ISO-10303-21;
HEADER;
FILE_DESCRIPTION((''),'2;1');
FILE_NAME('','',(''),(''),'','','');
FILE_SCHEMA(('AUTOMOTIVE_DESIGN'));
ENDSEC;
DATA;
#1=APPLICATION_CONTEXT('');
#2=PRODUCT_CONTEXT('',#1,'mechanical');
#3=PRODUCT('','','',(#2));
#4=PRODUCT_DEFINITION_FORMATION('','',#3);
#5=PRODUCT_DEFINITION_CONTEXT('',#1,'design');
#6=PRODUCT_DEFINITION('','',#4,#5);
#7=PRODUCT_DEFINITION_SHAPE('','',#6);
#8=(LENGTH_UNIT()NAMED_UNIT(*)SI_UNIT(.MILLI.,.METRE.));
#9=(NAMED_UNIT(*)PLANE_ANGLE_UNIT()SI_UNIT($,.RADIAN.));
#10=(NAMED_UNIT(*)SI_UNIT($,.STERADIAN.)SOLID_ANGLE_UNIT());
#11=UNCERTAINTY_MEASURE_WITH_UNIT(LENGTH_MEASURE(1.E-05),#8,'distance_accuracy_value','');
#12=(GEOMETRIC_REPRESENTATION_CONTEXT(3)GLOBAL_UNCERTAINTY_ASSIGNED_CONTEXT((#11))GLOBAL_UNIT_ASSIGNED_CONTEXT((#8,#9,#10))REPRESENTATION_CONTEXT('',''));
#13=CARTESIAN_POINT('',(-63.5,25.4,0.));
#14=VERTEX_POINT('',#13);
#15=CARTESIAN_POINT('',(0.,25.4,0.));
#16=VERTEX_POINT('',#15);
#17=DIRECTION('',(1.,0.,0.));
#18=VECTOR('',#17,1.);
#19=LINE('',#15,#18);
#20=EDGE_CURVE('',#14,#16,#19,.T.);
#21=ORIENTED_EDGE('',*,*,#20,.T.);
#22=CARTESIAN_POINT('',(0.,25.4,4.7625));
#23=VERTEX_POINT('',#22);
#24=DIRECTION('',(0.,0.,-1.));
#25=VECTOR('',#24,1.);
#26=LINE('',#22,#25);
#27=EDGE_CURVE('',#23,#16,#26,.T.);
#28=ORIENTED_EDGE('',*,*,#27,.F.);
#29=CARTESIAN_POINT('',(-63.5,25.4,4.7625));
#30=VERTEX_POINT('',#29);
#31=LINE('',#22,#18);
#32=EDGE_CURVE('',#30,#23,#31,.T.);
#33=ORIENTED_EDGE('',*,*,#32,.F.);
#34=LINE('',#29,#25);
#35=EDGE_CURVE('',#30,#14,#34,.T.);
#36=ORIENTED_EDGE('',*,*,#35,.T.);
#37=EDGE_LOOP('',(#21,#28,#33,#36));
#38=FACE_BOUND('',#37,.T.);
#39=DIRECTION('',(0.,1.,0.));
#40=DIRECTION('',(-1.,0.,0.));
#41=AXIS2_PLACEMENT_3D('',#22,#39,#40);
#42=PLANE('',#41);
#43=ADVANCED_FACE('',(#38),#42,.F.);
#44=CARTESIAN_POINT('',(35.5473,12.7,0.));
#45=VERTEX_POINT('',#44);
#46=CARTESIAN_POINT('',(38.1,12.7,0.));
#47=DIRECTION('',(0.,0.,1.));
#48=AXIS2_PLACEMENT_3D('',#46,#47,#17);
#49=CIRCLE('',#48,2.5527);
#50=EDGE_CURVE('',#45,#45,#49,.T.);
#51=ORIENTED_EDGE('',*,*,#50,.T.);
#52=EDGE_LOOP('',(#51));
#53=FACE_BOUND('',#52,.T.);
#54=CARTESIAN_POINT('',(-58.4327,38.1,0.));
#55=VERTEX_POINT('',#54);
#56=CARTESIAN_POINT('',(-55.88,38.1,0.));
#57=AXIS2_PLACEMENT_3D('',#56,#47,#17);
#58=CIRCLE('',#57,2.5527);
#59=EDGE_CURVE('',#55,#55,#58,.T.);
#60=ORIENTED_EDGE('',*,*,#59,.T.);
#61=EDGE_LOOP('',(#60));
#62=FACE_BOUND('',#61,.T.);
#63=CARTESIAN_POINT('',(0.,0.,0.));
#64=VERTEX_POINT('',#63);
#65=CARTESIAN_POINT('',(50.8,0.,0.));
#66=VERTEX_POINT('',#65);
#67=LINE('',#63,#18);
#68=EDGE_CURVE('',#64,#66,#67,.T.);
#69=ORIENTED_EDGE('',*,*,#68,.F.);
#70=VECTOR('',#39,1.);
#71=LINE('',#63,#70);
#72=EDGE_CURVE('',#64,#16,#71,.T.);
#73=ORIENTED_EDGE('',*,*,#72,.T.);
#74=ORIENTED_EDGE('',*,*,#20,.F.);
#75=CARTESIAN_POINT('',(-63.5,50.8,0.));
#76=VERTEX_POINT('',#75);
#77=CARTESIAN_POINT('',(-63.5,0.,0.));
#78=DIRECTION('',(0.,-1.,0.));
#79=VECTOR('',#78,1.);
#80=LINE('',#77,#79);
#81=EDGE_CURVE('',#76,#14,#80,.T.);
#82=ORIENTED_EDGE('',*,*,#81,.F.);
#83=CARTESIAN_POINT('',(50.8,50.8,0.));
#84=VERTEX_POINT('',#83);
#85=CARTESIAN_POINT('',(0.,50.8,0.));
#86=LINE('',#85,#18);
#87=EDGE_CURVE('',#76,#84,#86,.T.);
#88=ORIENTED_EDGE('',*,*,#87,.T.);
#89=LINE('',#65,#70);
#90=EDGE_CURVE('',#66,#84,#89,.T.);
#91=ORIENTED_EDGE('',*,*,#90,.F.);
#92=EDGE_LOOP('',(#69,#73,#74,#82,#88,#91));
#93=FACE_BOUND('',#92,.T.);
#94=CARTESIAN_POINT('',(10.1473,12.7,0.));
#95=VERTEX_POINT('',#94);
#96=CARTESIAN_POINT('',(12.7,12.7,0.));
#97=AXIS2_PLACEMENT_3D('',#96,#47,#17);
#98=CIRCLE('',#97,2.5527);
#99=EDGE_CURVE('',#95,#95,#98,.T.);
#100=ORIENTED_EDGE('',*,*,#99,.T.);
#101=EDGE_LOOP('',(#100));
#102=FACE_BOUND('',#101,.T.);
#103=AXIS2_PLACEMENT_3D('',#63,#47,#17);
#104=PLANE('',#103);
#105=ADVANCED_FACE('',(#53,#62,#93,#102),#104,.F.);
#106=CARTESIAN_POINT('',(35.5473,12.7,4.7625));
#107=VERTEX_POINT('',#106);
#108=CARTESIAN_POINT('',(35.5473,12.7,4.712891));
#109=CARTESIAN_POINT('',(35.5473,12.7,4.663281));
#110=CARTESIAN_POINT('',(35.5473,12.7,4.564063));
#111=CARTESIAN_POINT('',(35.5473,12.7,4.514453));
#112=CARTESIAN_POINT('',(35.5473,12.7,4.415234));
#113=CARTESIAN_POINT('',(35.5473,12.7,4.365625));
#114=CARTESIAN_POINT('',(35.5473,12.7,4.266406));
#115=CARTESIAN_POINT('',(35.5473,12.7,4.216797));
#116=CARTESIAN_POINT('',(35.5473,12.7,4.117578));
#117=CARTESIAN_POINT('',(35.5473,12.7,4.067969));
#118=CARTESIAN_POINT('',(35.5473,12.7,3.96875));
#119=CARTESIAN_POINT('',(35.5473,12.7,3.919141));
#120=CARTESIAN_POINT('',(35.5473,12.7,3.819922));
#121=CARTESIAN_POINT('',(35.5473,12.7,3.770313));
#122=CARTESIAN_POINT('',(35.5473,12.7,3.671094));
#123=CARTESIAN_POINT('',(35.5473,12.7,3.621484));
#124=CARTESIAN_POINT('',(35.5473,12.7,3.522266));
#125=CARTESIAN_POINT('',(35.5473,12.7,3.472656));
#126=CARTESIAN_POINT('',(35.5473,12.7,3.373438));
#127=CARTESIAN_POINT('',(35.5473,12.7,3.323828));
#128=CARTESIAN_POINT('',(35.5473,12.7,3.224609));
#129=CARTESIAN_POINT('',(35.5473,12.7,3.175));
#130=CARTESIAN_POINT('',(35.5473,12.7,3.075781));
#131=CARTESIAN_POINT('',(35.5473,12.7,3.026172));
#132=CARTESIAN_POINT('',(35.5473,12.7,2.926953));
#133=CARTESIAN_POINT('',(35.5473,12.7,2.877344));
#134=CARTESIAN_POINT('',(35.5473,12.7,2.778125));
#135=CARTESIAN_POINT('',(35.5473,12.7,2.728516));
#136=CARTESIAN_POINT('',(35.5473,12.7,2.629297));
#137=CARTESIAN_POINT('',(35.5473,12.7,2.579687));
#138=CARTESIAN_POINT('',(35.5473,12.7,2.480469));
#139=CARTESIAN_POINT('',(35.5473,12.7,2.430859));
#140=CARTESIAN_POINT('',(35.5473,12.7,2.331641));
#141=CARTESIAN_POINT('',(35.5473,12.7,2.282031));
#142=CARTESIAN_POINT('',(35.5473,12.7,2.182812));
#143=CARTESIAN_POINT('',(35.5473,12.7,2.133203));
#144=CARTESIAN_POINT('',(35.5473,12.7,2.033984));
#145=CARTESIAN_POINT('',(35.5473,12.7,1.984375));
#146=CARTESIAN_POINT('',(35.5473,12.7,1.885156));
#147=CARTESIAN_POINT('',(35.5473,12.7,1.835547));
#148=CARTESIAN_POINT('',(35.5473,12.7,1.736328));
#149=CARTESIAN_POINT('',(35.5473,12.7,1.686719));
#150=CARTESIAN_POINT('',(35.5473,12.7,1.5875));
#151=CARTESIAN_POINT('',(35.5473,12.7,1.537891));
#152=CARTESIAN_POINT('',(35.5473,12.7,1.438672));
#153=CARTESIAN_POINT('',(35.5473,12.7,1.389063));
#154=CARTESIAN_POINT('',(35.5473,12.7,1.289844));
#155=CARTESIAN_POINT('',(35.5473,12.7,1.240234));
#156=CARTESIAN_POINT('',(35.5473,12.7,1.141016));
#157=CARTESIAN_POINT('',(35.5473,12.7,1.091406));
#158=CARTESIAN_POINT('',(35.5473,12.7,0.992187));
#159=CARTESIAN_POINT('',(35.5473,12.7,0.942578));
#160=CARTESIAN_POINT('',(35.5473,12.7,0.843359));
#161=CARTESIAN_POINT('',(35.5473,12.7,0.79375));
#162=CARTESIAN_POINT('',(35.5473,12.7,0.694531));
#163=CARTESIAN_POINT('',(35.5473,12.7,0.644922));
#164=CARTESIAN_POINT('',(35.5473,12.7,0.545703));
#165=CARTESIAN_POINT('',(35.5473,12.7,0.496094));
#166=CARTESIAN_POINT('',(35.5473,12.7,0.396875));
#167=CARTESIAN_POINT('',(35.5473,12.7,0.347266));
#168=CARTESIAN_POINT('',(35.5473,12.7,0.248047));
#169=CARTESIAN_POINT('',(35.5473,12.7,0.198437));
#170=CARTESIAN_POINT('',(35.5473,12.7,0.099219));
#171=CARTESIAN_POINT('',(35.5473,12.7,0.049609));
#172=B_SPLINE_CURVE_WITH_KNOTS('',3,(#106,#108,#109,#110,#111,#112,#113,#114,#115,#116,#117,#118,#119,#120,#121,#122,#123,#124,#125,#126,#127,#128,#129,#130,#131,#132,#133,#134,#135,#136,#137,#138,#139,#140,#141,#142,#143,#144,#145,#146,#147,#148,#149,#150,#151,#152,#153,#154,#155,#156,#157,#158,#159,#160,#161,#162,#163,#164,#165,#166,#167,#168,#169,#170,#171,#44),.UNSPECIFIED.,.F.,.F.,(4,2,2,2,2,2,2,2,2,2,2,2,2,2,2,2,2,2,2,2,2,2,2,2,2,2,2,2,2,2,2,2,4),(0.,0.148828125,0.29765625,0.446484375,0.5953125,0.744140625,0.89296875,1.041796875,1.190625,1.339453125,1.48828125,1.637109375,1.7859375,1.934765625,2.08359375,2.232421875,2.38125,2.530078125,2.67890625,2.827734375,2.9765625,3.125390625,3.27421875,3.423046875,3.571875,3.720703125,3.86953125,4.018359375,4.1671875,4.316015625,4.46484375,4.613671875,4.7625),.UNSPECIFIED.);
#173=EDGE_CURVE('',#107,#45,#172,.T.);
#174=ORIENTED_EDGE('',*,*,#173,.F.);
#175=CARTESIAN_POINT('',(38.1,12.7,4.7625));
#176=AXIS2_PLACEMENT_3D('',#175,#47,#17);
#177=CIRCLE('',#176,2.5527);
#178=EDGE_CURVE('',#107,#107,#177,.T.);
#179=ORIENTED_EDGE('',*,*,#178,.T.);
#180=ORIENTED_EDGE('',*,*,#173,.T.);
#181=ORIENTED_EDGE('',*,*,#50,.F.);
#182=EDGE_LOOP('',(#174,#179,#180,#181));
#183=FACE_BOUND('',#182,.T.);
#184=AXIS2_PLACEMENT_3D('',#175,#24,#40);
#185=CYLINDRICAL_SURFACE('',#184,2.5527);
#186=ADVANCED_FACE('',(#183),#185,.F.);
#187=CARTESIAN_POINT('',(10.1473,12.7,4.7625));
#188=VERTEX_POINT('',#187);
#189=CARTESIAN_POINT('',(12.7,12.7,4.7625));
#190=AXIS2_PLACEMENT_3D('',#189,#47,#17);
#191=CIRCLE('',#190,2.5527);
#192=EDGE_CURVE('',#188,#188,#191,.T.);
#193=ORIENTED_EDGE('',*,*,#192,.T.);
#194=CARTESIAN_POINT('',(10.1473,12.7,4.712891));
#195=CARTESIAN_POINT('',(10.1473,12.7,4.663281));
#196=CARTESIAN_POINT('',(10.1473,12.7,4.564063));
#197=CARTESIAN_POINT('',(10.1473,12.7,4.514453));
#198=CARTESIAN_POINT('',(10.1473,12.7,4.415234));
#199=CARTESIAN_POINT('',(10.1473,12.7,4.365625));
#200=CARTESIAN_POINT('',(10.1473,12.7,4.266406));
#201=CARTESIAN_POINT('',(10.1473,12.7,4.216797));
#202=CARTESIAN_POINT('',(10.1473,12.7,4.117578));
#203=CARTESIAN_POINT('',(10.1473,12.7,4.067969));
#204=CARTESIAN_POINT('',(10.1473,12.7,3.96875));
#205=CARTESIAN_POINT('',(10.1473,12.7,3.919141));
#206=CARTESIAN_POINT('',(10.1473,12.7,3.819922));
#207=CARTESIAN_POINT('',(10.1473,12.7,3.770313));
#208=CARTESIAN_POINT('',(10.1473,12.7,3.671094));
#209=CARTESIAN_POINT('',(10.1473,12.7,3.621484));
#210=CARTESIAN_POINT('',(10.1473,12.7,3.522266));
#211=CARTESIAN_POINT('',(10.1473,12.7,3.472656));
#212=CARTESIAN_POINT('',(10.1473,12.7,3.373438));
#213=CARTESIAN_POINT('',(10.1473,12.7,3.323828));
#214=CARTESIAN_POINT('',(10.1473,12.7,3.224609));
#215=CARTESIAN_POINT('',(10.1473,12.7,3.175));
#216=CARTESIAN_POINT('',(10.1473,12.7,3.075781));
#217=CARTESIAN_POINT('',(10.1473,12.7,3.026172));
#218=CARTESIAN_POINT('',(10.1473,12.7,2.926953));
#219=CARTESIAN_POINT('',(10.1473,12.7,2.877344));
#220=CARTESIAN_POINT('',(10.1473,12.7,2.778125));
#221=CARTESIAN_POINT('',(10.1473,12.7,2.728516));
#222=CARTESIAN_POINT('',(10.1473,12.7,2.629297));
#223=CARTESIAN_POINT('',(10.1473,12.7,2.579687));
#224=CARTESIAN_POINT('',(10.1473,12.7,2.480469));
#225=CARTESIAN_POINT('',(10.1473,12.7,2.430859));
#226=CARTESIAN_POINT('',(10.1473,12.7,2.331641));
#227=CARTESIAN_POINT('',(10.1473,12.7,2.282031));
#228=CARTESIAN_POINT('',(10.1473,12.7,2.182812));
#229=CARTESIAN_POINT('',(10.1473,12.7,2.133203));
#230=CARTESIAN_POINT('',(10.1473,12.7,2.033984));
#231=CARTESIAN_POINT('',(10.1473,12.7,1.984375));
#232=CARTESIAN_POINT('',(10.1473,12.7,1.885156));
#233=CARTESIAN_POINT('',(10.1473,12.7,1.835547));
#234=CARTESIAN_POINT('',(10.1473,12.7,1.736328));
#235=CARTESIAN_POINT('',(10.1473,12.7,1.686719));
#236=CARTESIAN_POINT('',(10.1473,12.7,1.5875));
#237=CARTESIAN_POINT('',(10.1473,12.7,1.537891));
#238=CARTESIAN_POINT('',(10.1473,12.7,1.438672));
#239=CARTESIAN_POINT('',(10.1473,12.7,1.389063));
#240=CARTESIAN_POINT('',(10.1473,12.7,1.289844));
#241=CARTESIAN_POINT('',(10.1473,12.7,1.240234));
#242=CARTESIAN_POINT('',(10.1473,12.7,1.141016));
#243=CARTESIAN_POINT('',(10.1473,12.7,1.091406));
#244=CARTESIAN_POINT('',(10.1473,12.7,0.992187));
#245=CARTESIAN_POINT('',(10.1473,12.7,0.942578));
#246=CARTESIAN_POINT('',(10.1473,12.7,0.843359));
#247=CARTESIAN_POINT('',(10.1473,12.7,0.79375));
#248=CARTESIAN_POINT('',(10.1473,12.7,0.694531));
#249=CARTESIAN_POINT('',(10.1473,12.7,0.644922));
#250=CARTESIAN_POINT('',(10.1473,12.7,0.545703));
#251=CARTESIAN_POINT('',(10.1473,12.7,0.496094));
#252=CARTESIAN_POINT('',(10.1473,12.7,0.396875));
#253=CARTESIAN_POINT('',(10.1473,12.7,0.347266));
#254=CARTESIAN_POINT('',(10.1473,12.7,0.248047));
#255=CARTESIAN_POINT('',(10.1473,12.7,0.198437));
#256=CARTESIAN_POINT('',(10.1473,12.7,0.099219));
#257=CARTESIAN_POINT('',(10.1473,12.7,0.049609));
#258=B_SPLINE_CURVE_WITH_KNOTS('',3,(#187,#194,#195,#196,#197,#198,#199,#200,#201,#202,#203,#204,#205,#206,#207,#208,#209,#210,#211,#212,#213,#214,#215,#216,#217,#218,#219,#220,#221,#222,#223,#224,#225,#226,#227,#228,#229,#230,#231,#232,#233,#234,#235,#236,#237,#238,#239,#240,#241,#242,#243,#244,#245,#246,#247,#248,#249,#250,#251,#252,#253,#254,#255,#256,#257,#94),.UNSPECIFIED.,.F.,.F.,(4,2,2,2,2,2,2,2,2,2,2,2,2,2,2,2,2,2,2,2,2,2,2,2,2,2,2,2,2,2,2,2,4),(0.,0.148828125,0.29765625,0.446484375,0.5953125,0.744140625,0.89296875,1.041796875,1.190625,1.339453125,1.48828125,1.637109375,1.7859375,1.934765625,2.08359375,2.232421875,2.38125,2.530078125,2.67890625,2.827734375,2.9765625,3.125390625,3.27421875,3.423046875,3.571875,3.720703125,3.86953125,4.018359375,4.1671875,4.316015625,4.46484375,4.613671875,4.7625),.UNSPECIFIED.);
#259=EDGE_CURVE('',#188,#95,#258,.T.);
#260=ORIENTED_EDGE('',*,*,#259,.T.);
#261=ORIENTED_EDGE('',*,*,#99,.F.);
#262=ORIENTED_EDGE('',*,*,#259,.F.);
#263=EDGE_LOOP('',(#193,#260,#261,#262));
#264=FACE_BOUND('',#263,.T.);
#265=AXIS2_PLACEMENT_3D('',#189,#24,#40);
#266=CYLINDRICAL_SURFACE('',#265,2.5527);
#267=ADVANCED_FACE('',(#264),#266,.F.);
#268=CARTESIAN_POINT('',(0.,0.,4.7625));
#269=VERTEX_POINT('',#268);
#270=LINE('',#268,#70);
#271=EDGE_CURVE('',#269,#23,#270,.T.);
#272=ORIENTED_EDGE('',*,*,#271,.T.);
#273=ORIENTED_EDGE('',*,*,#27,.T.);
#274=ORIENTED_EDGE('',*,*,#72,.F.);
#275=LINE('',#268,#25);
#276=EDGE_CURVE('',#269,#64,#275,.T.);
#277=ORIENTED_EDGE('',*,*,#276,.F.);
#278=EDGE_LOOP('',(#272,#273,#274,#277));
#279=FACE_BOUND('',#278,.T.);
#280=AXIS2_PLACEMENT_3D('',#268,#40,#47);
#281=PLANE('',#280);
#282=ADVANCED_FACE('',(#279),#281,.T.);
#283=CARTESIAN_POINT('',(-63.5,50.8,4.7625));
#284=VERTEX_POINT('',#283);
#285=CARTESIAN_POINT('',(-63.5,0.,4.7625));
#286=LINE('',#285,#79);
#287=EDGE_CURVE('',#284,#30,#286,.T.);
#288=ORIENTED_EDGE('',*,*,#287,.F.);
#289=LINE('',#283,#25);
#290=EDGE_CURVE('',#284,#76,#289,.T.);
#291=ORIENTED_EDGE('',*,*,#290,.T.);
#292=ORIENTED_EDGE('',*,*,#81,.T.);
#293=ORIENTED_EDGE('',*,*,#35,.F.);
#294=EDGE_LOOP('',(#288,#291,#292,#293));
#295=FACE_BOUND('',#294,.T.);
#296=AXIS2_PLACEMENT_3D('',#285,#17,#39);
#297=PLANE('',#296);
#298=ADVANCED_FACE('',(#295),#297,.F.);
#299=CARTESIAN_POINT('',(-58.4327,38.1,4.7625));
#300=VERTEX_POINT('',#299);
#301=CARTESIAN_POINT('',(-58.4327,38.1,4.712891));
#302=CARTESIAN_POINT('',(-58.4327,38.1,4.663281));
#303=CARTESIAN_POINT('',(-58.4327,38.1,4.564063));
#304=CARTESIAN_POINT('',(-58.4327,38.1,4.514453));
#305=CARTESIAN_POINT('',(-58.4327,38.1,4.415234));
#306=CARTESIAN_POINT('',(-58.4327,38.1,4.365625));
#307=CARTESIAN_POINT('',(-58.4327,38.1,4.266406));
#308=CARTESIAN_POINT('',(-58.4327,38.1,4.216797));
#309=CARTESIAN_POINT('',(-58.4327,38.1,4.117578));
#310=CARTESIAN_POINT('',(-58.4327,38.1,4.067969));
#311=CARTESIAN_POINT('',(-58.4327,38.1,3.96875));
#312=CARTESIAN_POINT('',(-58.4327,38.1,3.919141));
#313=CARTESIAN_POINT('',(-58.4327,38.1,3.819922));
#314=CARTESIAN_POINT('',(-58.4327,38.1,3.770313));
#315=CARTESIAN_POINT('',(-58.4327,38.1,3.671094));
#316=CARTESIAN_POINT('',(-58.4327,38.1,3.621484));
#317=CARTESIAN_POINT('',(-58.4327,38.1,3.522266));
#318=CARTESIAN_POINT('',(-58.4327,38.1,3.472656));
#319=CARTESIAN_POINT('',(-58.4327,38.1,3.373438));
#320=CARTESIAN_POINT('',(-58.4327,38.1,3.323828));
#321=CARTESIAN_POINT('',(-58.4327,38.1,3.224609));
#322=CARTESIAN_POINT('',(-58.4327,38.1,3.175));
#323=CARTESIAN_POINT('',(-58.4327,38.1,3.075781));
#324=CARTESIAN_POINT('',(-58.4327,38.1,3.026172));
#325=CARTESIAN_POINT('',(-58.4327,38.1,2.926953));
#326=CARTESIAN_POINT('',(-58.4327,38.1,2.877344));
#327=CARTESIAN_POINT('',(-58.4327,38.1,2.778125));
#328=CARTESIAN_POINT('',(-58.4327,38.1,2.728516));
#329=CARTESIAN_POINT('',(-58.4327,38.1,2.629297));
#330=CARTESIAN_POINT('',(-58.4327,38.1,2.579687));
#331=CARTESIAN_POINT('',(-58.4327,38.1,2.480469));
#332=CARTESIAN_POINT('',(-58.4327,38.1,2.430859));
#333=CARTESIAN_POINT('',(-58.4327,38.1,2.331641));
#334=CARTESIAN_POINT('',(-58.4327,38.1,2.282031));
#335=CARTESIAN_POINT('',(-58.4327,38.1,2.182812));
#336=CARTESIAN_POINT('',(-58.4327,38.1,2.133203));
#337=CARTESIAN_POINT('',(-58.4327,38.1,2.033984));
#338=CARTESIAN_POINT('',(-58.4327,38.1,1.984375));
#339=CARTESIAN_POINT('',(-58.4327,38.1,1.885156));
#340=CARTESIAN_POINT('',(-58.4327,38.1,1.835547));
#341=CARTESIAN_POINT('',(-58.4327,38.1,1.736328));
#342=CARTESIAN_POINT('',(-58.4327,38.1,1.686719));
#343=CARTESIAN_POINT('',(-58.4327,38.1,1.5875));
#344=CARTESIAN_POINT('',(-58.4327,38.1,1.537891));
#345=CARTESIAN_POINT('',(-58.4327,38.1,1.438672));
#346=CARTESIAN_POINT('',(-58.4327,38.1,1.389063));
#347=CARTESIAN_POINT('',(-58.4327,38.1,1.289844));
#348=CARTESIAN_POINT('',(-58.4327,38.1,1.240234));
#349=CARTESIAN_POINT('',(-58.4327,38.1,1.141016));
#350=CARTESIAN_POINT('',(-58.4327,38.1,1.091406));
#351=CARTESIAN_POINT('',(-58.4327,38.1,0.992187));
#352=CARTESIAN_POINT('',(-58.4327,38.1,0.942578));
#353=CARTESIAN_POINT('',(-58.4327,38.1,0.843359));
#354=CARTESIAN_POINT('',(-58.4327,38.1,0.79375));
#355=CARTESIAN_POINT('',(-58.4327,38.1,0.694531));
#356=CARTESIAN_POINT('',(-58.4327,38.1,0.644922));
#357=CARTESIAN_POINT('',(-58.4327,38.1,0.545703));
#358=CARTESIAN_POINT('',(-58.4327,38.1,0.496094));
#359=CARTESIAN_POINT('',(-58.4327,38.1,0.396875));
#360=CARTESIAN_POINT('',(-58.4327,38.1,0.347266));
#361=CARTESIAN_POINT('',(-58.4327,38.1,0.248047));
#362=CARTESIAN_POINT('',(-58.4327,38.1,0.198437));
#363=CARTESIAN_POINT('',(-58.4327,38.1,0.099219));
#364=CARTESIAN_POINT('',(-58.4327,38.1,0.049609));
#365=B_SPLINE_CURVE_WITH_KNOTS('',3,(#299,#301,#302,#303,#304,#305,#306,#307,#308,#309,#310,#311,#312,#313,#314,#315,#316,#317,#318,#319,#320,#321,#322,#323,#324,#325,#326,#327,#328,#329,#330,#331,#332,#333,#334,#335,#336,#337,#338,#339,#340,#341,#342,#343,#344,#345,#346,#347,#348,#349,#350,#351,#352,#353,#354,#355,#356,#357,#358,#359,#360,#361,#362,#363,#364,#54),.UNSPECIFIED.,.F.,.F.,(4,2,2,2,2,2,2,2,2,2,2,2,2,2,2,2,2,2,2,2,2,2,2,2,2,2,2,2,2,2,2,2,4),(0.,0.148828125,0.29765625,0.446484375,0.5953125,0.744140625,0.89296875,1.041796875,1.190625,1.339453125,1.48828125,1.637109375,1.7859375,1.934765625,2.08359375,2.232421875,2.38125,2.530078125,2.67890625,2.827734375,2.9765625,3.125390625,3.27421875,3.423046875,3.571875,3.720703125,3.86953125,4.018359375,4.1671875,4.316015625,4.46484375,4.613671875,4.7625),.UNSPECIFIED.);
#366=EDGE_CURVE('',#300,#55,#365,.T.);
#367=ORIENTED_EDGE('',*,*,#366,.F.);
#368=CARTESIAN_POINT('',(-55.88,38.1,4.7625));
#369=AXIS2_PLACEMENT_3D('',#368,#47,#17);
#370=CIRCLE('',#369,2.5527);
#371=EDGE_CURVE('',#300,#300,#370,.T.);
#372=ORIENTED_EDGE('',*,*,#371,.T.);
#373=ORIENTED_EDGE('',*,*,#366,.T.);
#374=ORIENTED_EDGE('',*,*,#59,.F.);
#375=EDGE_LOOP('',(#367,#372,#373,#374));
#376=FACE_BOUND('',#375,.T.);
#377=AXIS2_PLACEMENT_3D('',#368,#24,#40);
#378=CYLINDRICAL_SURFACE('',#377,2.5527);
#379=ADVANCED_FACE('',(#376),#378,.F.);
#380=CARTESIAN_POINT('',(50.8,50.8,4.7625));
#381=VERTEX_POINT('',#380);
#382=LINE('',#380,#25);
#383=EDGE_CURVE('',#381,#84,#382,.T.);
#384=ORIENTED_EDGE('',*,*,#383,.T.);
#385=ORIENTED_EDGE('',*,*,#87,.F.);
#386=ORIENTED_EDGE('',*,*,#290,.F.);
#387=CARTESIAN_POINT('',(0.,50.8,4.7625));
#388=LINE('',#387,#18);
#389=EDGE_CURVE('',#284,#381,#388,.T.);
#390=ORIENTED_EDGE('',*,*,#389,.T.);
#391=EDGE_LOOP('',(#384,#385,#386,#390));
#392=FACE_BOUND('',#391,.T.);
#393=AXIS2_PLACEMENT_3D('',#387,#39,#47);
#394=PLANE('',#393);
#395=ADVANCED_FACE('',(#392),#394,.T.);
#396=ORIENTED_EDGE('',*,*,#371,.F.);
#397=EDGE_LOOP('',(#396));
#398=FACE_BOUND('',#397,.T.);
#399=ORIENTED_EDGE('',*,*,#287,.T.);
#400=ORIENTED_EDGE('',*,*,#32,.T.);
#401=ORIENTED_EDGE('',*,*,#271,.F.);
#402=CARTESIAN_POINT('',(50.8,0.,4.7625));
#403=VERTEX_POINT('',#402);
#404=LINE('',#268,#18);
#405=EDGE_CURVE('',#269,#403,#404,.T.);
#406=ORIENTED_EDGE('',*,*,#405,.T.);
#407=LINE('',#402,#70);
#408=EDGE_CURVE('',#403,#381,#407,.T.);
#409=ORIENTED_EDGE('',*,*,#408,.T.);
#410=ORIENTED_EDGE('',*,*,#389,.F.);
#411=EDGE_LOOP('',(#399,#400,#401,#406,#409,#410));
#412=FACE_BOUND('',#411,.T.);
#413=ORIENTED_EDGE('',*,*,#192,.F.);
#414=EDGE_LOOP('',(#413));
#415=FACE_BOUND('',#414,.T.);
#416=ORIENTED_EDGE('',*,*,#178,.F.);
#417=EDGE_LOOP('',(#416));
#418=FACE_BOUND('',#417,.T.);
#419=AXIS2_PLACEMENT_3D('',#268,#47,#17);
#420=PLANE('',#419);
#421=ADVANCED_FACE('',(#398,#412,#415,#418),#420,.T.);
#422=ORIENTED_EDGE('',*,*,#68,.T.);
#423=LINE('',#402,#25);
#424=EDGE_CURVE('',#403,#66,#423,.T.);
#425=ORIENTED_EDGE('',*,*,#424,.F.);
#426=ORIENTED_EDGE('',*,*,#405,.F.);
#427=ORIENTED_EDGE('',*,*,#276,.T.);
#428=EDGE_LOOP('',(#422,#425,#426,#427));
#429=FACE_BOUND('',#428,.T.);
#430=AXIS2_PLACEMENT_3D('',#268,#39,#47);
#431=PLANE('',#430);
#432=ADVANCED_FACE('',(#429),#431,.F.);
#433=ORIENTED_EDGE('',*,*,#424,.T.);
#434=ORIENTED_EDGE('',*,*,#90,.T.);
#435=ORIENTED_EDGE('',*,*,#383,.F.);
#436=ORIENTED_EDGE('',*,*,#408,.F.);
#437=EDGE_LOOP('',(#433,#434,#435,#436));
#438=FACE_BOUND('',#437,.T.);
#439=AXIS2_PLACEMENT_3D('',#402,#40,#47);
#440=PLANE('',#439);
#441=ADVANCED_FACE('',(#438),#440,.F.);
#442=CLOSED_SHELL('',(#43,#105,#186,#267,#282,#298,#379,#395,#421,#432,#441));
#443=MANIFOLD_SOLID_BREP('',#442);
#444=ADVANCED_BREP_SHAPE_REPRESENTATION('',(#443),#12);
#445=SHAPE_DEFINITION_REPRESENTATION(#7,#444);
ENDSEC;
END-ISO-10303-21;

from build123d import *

# Parameters (mm, degrees)
SKETCH1_W           = 50.8
SKETCH1_H           = 50.8
SKETCH1_R           = 2.5527
SKETCH1_W_2         = 63.5
SKETCH1_H_2         = 25.4
BOSS_EXTRUDE1_DEPTH = 4.7625


with BuildPart() as part:
    # Sketch1 → Boss-Extrude1 (new body)
    # profile 1 of 2: a face of its own
    with BuildSketch(Plane.XY):
        with Locations((25.4, 25.4)):
            Rectangle(SKETCH1_W, SKETCH1_H)
        with Locations(Location((38.1, 12.7, 0), (0, 0, 180))):
            Circle(SKETCH1_R, mode=Mode.SUBTRACT)
        with Locations(Location((12.7, 12.7, 0), (0, 0, 180))):
            Circle(SKETCH1_R, mode=Mode.SUBTRACT)
    # profile 2 of 2: a face of its own
    with BuildSketch(Plane.XY):
        with Locations((-31.75, 38.1)):
            Rectangle(SKETCH1_W_2, SKETCH1_H_2)
        with Locations(Location((-55.88, 38.1, 0), (0, 0, 180))):
            Circle(SKETCH1_R, mode=Mode.SUBTRACT)
    extrude(amount=BOSS_EXTRUDE1_DEPTH)


solid = part.part
